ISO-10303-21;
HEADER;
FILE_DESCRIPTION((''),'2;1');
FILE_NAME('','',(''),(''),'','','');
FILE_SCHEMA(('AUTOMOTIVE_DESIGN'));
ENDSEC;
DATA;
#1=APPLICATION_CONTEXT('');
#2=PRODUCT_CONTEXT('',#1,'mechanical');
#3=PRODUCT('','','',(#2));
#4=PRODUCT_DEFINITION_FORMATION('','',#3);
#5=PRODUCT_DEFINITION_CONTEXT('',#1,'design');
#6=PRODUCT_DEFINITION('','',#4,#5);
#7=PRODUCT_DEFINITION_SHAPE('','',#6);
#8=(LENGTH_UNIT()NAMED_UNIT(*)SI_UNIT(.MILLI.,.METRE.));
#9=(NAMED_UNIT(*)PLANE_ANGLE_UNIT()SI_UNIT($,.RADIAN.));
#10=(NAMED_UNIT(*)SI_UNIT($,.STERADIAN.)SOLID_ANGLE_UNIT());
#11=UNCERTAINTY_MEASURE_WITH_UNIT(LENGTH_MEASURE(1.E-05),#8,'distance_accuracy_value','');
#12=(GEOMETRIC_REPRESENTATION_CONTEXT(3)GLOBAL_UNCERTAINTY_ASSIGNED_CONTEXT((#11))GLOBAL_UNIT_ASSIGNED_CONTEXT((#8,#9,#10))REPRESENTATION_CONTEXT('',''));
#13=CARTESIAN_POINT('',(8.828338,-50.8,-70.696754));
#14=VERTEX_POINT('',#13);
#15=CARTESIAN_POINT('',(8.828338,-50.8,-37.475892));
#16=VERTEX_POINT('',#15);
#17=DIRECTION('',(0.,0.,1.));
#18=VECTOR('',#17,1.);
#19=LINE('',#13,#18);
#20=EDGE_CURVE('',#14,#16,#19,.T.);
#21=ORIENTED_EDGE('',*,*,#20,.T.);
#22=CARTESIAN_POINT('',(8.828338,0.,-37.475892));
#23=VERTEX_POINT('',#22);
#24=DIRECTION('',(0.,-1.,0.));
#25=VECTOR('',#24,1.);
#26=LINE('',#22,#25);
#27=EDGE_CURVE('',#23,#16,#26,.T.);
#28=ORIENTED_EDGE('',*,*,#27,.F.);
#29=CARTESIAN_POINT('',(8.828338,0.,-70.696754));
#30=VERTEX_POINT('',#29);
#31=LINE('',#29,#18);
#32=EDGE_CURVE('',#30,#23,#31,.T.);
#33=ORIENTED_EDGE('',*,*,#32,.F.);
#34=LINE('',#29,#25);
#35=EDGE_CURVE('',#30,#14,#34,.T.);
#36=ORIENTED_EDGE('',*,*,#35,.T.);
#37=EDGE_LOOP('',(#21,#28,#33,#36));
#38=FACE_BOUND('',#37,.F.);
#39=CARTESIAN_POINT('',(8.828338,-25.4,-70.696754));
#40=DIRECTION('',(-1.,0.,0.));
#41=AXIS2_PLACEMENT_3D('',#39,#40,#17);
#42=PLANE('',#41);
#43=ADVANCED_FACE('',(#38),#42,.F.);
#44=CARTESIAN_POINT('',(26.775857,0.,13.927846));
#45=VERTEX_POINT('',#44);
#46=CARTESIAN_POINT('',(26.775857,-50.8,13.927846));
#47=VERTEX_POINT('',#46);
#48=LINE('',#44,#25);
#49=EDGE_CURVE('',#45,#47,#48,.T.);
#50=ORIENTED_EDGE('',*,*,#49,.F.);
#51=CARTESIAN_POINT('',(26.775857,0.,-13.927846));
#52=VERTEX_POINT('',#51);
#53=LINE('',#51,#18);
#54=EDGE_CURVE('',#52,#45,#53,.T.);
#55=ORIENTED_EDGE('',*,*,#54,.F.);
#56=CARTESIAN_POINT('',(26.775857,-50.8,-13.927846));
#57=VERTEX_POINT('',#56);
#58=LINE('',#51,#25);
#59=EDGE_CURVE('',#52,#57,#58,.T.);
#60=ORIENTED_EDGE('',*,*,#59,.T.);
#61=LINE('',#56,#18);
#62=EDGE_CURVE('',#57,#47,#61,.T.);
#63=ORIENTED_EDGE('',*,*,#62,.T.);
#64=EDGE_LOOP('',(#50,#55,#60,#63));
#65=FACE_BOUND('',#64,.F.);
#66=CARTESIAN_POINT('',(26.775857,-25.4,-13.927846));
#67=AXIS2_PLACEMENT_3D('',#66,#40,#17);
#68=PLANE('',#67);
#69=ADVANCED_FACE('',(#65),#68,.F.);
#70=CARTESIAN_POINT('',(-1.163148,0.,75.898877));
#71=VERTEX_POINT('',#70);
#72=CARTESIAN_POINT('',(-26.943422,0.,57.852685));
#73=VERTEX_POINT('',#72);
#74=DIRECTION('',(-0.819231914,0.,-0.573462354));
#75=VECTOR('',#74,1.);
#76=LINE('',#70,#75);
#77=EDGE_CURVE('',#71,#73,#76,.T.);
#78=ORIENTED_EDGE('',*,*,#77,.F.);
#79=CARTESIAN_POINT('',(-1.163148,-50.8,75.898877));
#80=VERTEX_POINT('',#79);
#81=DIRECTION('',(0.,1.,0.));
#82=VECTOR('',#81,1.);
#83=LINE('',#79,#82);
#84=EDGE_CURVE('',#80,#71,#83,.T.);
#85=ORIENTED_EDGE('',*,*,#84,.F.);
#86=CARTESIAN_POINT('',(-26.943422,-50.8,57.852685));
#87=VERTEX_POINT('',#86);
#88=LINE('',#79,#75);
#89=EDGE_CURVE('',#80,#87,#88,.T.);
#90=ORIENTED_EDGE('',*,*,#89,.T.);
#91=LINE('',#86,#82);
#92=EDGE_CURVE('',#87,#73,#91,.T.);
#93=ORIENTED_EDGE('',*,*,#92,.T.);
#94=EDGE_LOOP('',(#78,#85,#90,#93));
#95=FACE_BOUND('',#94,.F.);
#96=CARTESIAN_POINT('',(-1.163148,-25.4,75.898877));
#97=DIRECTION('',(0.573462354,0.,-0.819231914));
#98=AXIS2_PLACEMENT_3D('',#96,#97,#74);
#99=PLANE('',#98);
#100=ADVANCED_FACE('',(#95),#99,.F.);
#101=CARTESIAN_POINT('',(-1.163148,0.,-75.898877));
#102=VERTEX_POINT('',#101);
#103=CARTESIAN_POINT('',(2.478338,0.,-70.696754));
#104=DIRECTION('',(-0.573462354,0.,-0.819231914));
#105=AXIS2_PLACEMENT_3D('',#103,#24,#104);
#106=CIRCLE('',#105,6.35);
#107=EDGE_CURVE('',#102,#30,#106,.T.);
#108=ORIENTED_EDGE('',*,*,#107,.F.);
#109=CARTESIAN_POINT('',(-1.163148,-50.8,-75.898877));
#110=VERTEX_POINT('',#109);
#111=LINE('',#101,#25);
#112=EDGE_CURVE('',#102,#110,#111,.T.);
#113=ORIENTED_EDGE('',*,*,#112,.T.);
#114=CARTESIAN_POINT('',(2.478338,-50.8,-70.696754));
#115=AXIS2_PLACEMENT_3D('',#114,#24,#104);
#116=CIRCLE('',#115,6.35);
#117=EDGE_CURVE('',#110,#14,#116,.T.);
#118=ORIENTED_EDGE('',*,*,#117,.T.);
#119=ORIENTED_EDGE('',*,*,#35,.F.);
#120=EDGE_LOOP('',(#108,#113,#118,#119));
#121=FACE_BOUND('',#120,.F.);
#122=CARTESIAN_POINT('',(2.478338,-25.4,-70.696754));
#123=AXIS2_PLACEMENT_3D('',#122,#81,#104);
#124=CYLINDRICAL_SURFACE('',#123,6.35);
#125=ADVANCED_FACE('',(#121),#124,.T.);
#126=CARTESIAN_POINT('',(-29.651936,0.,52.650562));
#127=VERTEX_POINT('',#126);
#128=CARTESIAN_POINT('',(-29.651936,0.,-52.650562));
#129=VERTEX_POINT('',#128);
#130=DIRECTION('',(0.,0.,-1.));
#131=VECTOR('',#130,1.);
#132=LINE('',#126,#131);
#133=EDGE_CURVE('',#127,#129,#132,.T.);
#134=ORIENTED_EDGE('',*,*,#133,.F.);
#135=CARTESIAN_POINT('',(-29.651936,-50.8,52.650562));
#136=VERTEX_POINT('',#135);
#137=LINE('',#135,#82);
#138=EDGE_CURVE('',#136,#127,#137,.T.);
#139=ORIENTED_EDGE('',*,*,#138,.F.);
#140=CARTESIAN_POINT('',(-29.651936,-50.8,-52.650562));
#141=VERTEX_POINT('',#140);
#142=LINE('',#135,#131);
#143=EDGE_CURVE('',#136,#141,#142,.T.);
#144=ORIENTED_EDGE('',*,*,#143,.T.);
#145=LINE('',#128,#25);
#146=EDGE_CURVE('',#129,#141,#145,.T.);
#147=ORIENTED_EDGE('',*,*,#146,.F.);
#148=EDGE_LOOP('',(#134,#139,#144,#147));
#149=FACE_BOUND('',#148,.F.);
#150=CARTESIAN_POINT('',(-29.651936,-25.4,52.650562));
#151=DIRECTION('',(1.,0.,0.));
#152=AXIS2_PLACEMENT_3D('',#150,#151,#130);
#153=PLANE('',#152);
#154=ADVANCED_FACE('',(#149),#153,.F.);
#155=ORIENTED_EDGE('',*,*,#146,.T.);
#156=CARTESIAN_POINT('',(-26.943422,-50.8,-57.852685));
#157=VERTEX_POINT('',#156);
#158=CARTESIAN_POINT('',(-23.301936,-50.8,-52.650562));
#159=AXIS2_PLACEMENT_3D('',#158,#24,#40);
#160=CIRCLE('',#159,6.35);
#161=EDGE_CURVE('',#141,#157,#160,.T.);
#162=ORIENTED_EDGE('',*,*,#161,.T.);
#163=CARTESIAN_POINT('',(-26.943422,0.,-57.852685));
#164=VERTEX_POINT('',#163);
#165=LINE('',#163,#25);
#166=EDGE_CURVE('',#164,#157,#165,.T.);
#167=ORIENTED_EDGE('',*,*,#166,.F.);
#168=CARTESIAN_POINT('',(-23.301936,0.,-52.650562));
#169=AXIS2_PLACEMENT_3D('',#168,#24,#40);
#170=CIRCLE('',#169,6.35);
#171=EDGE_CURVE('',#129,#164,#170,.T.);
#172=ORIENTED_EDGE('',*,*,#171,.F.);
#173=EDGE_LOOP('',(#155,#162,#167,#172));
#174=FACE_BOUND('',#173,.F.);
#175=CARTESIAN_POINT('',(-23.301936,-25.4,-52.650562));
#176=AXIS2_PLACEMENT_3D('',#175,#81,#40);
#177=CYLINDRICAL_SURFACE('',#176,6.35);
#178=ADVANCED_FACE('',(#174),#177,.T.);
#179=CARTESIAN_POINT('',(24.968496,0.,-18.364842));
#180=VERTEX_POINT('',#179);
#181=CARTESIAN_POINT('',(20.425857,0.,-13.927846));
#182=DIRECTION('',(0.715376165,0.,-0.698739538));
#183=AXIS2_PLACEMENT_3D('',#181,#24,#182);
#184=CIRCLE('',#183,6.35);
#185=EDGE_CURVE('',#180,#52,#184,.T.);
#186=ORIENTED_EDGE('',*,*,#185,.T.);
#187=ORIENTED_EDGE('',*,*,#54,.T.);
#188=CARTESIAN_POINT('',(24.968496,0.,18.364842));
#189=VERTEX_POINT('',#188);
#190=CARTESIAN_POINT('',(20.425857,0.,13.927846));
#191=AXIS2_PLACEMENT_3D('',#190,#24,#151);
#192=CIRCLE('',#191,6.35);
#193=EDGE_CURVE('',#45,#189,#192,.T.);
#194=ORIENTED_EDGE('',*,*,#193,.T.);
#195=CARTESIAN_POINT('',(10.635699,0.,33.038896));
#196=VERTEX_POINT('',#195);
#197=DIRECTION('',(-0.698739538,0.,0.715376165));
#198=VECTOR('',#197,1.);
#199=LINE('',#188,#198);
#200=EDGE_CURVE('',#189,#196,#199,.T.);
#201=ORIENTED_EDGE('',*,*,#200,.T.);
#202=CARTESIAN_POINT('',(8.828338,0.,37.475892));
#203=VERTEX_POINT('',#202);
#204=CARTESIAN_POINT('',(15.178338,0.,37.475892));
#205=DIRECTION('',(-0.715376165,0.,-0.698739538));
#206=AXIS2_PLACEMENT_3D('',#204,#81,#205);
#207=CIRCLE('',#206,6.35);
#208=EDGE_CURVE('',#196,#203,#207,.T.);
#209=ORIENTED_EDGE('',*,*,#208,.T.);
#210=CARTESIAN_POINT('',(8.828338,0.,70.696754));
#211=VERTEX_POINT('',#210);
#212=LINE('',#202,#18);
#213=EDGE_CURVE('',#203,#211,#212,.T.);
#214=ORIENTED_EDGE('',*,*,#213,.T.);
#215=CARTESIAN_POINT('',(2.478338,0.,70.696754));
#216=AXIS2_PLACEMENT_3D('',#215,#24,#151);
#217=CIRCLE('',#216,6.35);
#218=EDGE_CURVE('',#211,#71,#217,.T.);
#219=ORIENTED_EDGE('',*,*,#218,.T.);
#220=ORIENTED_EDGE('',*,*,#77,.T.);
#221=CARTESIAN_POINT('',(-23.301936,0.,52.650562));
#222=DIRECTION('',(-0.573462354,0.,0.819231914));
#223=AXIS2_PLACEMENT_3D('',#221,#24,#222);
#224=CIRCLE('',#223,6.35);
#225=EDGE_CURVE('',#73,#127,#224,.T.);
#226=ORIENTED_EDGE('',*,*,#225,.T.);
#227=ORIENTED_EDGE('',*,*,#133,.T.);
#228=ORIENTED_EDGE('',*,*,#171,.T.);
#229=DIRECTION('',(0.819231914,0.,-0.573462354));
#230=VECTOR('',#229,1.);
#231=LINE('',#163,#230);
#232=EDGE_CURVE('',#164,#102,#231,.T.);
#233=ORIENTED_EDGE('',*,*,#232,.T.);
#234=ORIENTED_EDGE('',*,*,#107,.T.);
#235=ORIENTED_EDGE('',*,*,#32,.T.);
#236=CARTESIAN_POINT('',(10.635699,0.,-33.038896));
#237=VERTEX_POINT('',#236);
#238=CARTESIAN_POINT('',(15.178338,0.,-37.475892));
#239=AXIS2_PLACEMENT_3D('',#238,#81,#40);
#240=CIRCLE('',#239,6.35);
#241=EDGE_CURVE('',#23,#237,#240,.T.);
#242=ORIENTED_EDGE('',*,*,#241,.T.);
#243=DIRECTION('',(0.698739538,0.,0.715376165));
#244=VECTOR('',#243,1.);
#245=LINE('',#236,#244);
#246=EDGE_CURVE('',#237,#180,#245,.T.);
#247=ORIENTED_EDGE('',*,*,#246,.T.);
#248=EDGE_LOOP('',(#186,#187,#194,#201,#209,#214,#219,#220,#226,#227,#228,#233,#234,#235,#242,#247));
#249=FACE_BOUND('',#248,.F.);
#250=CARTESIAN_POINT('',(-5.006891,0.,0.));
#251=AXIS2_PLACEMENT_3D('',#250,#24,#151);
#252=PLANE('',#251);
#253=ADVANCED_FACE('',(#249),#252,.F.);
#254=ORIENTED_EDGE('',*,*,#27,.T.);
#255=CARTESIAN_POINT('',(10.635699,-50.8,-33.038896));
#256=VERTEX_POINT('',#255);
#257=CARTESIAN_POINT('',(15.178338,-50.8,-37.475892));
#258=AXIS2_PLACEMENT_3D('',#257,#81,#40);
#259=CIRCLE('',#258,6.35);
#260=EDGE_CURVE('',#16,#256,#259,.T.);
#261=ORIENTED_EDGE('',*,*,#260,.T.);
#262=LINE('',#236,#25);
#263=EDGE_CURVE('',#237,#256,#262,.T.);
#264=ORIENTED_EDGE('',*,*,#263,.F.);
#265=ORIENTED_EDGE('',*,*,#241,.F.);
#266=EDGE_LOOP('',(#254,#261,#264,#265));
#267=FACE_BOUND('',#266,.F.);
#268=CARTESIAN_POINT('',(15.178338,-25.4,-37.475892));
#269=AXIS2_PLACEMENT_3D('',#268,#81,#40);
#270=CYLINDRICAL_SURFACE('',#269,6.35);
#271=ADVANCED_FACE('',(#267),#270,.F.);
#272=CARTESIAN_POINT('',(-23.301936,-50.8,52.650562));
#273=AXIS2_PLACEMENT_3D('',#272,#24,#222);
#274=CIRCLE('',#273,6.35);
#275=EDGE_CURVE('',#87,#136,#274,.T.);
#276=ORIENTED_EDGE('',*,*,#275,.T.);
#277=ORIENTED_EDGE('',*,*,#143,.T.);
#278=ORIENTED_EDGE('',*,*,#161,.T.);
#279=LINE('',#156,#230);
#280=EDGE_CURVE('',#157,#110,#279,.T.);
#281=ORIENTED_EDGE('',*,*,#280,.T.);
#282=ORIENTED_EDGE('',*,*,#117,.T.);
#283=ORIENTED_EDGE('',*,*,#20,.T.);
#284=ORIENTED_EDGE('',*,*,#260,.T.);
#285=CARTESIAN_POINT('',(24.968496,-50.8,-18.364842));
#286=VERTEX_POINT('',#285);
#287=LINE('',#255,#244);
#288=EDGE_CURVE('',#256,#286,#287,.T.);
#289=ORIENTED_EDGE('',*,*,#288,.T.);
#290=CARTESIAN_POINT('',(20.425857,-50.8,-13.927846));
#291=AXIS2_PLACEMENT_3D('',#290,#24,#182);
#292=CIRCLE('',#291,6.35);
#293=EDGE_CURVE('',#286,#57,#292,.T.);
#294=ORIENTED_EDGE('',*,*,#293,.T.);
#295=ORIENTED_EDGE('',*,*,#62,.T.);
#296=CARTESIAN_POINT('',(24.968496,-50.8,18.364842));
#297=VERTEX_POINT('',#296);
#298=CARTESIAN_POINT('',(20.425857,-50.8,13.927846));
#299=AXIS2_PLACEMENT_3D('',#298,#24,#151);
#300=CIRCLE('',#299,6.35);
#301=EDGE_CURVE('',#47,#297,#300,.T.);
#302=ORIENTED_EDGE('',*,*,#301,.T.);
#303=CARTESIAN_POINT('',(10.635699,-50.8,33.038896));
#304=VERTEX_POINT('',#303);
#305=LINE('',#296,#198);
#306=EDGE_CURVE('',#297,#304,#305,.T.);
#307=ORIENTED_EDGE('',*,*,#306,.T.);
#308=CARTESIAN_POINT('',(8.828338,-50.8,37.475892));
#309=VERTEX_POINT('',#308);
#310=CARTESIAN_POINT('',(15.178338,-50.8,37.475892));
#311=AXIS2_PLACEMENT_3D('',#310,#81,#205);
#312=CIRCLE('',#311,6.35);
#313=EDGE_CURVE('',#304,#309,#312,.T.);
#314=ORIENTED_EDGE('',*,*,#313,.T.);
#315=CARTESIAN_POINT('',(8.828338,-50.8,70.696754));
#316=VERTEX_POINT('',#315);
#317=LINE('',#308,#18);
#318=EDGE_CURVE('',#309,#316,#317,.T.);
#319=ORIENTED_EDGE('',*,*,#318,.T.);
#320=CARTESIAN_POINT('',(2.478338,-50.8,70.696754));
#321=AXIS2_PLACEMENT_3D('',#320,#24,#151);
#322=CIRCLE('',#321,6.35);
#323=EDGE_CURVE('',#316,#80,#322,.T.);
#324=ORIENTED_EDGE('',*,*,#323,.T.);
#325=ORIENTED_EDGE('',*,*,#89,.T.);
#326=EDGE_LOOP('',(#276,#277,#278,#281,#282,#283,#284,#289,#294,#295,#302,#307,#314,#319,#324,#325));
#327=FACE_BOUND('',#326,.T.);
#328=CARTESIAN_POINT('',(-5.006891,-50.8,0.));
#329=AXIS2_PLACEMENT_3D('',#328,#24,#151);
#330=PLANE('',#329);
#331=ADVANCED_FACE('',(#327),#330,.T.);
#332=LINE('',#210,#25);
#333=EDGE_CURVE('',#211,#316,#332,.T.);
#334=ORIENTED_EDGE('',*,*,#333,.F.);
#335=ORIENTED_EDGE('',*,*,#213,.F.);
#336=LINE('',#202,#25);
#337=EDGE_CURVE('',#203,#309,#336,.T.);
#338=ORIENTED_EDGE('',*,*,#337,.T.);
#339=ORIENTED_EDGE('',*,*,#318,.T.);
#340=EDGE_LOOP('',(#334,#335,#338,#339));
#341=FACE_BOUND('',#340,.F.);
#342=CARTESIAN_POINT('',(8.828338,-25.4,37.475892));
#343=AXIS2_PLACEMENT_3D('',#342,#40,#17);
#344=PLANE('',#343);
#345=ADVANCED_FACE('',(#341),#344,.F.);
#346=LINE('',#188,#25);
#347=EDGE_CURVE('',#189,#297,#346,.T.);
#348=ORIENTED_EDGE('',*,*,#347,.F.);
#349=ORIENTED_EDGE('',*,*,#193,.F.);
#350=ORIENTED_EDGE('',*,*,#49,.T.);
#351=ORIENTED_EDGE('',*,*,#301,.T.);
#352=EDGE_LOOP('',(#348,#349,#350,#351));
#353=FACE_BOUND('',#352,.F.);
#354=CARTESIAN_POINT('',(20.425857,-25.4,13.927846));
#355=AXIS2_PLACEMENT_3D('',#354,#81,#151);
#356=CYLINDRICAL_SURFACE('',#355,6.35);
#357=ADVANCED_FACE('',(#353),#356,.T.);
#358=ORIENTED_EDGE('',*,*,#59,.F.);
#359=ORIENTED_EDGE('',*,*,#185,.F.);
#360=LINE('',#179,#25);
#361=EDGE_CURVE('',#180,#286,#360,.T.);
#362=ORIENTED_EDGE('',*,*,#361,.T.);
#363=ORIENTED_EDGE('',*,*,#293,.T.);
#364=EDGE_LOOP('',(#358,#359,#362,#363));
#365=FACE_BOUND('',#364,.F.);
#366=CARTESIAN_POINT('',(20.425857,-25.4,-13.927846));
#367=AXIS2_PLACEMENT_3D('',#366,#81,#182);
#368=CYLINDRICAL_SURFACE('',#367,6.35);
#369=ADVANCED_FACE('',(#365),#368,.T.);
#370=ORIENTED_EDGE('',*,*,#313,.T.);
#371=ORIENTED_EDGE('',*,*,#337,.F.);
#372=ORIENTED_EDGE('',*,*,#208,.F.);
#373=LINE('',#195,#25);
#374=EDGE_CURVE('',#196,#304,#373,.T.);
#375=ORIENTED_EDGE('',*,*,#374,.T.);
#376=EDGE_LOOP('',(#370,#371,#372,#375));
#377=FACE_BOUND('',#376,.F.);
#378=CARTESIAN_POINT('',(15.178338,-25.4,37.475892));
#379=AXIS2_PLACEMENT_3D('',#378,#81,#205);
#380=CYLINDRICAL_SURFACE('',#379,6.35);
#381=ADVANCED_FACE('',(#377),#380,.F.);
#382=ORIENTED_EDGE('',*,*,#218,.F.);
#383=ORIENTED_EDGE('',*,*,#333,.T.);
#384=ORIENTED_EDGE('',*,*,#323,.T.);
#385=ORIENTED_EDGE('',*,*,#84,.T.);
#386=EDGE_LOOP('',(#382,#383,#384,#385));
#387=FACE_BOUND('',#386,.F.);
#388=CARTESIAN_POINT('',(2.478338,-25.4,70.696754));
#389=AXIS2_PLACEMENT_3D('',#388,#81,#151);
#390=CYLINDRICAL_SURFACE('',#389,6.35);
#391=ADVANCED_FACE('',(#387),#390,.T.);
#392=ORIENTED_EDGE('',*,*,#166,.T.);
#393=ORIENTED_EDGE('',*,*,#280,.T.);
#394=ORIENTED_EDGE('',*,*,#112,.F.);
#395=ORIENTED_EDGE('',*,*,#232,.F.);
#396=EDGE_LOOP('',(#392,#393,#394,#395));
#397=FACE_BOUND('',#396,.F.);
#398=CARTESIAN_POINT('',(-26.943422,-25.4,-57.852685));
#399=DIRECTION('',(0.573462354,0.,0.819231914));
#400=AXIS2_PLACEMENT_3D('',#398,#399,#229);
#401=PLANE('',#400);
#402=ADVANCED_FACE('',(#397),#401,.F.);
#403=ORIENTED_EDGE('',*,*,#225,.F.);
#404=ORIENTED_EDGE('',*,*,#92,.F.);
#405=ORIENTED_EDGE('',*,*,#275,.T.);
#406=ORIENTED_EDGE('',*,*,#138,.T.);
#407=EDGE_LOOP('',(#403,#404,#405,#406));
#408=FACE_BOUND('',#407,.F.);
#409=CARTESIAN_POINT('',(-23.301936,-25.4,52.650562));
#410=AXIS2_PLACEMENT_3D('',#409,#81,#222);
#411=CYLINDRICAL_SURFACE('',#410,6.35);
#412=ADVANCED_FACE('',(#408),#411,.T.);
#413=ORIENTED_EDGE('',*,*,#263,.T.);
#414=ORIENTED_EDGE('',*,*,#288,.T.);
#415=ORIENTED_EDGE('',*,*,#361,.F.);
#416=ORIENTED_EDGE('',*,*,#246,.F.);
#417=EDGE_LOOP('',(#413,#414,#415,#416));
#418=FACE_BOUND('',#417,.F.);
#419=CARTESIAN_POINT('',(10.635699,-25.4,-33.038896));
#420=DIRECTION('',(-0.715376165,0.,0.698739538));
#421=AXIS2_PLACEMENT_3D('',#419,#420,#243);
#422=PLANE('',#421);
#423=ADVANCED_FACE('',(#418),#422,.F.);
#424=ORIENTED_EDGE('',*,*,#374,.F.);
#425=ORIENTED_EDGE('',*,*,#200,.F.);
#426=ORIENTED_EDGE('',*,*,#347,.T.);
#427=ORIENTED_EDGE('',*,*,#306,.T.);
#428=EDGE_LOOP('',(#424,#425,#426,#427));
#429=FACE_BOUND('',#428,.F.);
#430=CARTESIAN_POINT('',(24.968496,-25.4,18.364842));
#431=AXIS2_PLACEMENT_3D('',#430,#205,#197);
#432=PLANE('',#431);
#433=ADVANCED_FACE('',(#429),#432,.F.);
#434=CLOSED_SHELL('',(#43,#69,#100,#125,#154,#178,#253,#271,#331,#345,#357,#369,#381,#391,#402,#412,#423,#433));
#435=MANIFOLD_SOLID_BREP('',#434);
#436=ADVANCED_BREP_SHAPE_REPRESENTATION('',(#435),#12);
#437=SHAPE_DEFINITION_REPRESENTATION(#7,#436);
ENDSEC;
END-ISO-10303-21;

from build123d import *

# Parameters (mm, degrees)
F1_DEPTH = 25.4
F2_DEPTH = 25.4


with BuildPart() as f1:
    # F0 (on Front) → F1 (new body)
    with BuildSketch(Plane.XZ):
        with BuildLine():
            Line((-29.6519356012, 52.650562261), (-29.6519356012, 0))
            Line((-29.6519356012, 0), (-29.6519356012, -52.650562261))
            ThreePointArc((-29.6519356012, -52.650562261), (-28.9342502123, -55.5830581471), (-26.9434215471, -57.8526849149))
            Line((-26.9434215471, -57.8526849149), (-1.1631480992, -75.8988767652))
            ThreePointArc((-1.1631480992, -75.8988767652), (5.4108337328, -76.3290687224), (8.8283378467, -70.6967541113))
            Line((8.8283378467, -70.6967541113), (8.8283378467, -37.4758915701))
            ThreePointArc((8.8283378467, -37.4758915701), (9.2975107187, -35.0804015806), (10.6356991979, -33.0388955022))
            Line((10.6356991979, -33.0388955022), (24.9684960825, -18.364842139))
            ThreePointArc((24.9684960825, -18.364842139), (26.3066845617, -16.3233360606), (26.7758574337, -13.9278460711))
            Line((26.7758574337, -13.9278460711), (26.7758574337, 0))
            Line((26.7758574337, 0), (26.7758574337, 13.9278460711))
            ThreePointArc((26.7758574337, 13.9278460711), (26.3066845617, 16.3233360606), (24.9684960825, 18.364842139))
            Line((24.9684960825, 18.364842139), (10.6356991979, 33.0388955022))
            ThreePointArc((10.6356991979, 33.0388955022), (9.2975107187, 35.0804015806), (8.8283378467, 37.4758915701))
            Line((8.8283378467, 37.4758915701), (8.8283378467, 70.6967541113))
            ThreePointArc((8.8283378467, 70.6967541113), (5.4108337328, 76.3290687224), (-1.1631480992, 75.8988767652))
            Line((-1.1631480992, 75.8988767652), (-26.9434215471, 57.8526849149))
            ThreePointArc((-26.9434215471, 57.8526849149), (-28.9342502123, 55.5830581471), (-29.6519356012, 52.650562261))
        make_face()
    extrude(amount=F1_DEPTH)

    # F2 (add): a face of the model
    f2_faces = [f1.faces().sort_by_distance(p)[0] for p in [
        (-5.4722080817, -25.4, 0),
    ]]
    extrude(f2_faces, amount=F2_DEPTH)


solid = f1.part
